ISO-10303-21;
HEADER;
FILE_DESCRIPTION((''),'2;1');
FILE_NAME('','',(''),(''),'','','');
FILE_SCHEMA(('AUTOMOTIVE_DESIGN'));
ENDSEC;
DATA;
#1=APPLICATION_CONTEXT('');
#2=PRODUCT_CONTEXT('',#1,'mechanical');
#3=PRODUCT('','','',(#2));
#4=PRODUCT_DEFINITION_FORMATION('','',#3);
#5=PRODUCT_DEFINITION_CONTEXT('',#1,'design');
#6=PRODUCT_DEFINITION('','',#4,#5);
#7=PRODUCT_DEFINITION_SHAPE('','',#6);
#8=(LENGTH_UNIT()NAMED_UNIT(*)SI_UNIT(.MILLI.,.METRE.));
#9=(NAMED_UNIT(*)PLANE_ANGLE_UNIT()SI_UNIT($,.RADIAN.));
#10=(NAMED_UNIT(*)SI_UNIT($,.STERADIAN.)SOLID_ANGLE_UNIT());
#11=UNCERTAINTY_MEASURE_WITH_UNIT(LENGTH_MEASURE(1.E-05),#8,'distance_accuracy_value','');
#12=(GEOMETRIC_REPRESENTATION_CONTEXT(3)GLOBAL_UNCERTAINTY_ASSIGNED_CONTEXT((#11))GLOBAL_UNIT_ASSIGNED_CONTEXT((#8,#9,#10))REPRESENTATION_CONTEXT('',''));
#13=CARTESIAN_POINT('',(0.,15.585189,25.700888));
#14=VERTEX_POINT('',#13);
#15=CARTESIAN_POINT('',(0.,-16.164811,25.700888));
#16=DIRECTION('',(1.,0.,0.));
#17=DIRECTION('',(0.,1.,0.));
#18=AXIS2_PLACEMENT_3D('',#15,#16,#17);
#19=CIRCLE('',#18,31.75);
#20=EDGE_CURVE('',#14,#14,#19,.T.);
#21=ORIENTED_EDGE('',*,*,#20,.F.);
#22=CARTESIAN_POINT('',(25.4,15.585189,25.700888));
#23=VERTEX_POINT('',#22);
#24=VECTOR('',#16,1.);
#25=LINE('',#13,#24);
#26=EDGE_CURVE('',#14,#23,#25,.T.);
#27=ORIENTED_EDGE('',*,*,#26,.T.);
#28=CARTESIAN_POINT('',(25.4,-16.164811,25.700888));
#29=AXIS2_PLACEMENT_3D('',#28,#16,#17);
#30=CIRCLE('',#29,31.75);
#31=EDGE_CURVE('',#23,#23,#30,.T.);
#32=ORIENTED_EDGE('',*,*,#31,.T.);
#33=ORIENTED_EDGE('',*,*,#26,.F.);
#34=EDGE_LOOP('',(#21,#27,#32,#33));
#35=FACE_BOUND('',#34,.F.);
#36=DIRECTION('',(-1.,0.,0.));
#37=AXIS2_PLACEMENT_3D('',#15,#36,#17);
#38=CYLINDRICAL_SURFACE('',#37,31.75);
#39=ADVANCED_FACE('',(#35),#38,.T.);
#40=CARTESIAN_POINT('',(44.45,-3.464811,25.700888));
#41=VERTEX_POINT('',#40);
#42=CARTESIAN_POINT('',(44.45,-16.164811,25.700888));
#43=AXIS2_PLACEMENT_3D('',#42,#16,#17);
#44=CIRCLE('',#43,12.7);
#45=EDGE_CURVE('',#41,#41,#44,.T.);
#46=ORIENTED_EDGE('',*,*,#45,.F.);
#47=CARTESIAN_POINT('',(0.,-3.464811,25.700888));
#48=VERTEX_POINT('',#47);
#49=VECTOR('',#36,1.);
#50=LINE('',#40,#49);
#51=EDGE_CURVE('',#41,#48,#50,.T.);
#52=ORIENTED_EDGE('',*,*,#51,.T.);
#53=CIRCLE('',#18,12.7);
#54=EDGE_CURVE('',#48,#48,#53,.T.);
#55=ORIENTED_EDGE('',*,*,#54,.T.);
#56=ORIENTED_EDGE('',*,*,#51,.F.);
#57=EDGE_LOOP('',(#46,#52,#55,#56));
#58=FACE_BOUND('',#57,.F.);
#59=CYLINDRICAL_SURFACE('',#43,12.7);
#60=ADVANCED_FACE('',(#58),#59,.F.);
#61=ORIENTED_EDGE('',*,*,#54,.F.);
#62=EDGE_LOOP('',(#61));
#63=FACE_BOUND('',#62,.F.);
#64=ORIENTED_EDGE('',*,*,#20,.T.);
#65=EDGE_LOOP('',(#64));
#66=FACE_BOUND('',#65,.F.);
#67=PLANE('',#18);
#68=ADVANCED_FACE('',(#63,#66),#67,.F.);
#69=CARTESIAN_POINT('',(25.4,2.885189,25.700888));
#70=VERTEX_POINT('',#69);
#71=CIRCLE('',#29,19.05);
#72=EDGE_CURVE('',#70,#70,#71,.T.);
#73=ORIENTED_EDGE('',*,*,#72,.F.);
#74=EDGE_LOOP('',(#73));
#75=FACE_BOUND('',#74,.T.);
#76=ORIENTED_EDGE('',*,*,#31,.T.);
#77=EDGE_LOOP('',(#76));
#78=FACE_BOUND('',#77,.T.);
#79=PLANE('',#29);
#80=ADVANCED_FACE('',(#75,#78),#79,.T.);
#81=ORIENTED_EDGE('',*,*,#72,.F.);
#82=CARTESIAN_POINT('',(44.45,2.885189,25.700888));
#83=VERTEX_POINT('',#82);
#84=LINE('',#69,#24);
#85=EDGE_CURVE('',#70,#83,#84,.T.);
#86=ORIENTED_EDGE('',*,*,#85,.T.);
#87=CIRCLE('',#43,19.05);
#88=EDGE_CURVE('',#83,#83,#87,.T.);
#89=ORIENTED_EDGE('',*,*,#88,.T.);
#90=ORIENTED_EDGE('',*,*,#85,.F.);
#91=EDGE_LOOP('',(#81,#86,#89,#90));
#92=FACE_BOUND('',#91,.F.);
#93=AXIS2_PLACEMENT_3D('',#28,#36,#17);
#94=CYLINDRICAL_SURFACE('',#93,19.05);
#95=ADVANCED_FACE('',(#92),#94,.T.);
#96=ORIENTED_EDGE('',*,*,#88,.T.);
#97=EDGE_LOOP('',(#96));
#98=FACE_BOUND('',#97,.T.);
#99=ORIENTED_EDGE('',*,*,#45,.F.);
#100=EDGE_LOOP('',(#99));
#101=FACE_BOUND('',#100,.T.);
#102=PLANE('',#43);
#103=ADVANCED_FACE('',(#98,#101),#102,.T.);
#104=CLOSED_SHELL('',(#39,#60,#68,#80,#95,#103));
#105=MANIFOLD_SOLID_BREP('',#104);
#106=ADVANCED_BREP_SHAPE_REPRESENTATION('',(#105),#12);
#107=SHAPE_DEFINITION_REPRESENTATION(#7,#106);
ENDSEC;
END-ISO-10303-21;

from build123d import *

# Parameters (mm, degrees)
F0_R     = 31.75
F1_DEPTH = 25.4
F2_R     = 19.05
F3_DEPTH = 19.05
F4_R     = 12.7
F5_DEPTH = 44.451


with BuildPart() as f1:
    # F0 (on Right) → F1 (new body)
    with BuildSketch(Plane.YZ):
        with Locations((-16.164811, 25.700888)):
            Circle(F0_R)
    extrude(amount=F1_DEPTH)

    # F2 (on face) → F3 (join)
    with BuildSketch(Plane.YZ.offset(25.4)):
        with Locations((-16.164811, 25.700888)):
            Circle(F2_R)
    extrude(amount=F3_DEPTH)

    # F4 (on face) → F5 (cut, through all)
    with BuildSketch(Plane.YZ.offset(44.45)):
        with Locations((-16.164811, 25.700888)):
            Circle(F4_R)
    extrude(amount=-F5_DEPTH, mode=Mode.SUBTRACT)


solid = f1.part
